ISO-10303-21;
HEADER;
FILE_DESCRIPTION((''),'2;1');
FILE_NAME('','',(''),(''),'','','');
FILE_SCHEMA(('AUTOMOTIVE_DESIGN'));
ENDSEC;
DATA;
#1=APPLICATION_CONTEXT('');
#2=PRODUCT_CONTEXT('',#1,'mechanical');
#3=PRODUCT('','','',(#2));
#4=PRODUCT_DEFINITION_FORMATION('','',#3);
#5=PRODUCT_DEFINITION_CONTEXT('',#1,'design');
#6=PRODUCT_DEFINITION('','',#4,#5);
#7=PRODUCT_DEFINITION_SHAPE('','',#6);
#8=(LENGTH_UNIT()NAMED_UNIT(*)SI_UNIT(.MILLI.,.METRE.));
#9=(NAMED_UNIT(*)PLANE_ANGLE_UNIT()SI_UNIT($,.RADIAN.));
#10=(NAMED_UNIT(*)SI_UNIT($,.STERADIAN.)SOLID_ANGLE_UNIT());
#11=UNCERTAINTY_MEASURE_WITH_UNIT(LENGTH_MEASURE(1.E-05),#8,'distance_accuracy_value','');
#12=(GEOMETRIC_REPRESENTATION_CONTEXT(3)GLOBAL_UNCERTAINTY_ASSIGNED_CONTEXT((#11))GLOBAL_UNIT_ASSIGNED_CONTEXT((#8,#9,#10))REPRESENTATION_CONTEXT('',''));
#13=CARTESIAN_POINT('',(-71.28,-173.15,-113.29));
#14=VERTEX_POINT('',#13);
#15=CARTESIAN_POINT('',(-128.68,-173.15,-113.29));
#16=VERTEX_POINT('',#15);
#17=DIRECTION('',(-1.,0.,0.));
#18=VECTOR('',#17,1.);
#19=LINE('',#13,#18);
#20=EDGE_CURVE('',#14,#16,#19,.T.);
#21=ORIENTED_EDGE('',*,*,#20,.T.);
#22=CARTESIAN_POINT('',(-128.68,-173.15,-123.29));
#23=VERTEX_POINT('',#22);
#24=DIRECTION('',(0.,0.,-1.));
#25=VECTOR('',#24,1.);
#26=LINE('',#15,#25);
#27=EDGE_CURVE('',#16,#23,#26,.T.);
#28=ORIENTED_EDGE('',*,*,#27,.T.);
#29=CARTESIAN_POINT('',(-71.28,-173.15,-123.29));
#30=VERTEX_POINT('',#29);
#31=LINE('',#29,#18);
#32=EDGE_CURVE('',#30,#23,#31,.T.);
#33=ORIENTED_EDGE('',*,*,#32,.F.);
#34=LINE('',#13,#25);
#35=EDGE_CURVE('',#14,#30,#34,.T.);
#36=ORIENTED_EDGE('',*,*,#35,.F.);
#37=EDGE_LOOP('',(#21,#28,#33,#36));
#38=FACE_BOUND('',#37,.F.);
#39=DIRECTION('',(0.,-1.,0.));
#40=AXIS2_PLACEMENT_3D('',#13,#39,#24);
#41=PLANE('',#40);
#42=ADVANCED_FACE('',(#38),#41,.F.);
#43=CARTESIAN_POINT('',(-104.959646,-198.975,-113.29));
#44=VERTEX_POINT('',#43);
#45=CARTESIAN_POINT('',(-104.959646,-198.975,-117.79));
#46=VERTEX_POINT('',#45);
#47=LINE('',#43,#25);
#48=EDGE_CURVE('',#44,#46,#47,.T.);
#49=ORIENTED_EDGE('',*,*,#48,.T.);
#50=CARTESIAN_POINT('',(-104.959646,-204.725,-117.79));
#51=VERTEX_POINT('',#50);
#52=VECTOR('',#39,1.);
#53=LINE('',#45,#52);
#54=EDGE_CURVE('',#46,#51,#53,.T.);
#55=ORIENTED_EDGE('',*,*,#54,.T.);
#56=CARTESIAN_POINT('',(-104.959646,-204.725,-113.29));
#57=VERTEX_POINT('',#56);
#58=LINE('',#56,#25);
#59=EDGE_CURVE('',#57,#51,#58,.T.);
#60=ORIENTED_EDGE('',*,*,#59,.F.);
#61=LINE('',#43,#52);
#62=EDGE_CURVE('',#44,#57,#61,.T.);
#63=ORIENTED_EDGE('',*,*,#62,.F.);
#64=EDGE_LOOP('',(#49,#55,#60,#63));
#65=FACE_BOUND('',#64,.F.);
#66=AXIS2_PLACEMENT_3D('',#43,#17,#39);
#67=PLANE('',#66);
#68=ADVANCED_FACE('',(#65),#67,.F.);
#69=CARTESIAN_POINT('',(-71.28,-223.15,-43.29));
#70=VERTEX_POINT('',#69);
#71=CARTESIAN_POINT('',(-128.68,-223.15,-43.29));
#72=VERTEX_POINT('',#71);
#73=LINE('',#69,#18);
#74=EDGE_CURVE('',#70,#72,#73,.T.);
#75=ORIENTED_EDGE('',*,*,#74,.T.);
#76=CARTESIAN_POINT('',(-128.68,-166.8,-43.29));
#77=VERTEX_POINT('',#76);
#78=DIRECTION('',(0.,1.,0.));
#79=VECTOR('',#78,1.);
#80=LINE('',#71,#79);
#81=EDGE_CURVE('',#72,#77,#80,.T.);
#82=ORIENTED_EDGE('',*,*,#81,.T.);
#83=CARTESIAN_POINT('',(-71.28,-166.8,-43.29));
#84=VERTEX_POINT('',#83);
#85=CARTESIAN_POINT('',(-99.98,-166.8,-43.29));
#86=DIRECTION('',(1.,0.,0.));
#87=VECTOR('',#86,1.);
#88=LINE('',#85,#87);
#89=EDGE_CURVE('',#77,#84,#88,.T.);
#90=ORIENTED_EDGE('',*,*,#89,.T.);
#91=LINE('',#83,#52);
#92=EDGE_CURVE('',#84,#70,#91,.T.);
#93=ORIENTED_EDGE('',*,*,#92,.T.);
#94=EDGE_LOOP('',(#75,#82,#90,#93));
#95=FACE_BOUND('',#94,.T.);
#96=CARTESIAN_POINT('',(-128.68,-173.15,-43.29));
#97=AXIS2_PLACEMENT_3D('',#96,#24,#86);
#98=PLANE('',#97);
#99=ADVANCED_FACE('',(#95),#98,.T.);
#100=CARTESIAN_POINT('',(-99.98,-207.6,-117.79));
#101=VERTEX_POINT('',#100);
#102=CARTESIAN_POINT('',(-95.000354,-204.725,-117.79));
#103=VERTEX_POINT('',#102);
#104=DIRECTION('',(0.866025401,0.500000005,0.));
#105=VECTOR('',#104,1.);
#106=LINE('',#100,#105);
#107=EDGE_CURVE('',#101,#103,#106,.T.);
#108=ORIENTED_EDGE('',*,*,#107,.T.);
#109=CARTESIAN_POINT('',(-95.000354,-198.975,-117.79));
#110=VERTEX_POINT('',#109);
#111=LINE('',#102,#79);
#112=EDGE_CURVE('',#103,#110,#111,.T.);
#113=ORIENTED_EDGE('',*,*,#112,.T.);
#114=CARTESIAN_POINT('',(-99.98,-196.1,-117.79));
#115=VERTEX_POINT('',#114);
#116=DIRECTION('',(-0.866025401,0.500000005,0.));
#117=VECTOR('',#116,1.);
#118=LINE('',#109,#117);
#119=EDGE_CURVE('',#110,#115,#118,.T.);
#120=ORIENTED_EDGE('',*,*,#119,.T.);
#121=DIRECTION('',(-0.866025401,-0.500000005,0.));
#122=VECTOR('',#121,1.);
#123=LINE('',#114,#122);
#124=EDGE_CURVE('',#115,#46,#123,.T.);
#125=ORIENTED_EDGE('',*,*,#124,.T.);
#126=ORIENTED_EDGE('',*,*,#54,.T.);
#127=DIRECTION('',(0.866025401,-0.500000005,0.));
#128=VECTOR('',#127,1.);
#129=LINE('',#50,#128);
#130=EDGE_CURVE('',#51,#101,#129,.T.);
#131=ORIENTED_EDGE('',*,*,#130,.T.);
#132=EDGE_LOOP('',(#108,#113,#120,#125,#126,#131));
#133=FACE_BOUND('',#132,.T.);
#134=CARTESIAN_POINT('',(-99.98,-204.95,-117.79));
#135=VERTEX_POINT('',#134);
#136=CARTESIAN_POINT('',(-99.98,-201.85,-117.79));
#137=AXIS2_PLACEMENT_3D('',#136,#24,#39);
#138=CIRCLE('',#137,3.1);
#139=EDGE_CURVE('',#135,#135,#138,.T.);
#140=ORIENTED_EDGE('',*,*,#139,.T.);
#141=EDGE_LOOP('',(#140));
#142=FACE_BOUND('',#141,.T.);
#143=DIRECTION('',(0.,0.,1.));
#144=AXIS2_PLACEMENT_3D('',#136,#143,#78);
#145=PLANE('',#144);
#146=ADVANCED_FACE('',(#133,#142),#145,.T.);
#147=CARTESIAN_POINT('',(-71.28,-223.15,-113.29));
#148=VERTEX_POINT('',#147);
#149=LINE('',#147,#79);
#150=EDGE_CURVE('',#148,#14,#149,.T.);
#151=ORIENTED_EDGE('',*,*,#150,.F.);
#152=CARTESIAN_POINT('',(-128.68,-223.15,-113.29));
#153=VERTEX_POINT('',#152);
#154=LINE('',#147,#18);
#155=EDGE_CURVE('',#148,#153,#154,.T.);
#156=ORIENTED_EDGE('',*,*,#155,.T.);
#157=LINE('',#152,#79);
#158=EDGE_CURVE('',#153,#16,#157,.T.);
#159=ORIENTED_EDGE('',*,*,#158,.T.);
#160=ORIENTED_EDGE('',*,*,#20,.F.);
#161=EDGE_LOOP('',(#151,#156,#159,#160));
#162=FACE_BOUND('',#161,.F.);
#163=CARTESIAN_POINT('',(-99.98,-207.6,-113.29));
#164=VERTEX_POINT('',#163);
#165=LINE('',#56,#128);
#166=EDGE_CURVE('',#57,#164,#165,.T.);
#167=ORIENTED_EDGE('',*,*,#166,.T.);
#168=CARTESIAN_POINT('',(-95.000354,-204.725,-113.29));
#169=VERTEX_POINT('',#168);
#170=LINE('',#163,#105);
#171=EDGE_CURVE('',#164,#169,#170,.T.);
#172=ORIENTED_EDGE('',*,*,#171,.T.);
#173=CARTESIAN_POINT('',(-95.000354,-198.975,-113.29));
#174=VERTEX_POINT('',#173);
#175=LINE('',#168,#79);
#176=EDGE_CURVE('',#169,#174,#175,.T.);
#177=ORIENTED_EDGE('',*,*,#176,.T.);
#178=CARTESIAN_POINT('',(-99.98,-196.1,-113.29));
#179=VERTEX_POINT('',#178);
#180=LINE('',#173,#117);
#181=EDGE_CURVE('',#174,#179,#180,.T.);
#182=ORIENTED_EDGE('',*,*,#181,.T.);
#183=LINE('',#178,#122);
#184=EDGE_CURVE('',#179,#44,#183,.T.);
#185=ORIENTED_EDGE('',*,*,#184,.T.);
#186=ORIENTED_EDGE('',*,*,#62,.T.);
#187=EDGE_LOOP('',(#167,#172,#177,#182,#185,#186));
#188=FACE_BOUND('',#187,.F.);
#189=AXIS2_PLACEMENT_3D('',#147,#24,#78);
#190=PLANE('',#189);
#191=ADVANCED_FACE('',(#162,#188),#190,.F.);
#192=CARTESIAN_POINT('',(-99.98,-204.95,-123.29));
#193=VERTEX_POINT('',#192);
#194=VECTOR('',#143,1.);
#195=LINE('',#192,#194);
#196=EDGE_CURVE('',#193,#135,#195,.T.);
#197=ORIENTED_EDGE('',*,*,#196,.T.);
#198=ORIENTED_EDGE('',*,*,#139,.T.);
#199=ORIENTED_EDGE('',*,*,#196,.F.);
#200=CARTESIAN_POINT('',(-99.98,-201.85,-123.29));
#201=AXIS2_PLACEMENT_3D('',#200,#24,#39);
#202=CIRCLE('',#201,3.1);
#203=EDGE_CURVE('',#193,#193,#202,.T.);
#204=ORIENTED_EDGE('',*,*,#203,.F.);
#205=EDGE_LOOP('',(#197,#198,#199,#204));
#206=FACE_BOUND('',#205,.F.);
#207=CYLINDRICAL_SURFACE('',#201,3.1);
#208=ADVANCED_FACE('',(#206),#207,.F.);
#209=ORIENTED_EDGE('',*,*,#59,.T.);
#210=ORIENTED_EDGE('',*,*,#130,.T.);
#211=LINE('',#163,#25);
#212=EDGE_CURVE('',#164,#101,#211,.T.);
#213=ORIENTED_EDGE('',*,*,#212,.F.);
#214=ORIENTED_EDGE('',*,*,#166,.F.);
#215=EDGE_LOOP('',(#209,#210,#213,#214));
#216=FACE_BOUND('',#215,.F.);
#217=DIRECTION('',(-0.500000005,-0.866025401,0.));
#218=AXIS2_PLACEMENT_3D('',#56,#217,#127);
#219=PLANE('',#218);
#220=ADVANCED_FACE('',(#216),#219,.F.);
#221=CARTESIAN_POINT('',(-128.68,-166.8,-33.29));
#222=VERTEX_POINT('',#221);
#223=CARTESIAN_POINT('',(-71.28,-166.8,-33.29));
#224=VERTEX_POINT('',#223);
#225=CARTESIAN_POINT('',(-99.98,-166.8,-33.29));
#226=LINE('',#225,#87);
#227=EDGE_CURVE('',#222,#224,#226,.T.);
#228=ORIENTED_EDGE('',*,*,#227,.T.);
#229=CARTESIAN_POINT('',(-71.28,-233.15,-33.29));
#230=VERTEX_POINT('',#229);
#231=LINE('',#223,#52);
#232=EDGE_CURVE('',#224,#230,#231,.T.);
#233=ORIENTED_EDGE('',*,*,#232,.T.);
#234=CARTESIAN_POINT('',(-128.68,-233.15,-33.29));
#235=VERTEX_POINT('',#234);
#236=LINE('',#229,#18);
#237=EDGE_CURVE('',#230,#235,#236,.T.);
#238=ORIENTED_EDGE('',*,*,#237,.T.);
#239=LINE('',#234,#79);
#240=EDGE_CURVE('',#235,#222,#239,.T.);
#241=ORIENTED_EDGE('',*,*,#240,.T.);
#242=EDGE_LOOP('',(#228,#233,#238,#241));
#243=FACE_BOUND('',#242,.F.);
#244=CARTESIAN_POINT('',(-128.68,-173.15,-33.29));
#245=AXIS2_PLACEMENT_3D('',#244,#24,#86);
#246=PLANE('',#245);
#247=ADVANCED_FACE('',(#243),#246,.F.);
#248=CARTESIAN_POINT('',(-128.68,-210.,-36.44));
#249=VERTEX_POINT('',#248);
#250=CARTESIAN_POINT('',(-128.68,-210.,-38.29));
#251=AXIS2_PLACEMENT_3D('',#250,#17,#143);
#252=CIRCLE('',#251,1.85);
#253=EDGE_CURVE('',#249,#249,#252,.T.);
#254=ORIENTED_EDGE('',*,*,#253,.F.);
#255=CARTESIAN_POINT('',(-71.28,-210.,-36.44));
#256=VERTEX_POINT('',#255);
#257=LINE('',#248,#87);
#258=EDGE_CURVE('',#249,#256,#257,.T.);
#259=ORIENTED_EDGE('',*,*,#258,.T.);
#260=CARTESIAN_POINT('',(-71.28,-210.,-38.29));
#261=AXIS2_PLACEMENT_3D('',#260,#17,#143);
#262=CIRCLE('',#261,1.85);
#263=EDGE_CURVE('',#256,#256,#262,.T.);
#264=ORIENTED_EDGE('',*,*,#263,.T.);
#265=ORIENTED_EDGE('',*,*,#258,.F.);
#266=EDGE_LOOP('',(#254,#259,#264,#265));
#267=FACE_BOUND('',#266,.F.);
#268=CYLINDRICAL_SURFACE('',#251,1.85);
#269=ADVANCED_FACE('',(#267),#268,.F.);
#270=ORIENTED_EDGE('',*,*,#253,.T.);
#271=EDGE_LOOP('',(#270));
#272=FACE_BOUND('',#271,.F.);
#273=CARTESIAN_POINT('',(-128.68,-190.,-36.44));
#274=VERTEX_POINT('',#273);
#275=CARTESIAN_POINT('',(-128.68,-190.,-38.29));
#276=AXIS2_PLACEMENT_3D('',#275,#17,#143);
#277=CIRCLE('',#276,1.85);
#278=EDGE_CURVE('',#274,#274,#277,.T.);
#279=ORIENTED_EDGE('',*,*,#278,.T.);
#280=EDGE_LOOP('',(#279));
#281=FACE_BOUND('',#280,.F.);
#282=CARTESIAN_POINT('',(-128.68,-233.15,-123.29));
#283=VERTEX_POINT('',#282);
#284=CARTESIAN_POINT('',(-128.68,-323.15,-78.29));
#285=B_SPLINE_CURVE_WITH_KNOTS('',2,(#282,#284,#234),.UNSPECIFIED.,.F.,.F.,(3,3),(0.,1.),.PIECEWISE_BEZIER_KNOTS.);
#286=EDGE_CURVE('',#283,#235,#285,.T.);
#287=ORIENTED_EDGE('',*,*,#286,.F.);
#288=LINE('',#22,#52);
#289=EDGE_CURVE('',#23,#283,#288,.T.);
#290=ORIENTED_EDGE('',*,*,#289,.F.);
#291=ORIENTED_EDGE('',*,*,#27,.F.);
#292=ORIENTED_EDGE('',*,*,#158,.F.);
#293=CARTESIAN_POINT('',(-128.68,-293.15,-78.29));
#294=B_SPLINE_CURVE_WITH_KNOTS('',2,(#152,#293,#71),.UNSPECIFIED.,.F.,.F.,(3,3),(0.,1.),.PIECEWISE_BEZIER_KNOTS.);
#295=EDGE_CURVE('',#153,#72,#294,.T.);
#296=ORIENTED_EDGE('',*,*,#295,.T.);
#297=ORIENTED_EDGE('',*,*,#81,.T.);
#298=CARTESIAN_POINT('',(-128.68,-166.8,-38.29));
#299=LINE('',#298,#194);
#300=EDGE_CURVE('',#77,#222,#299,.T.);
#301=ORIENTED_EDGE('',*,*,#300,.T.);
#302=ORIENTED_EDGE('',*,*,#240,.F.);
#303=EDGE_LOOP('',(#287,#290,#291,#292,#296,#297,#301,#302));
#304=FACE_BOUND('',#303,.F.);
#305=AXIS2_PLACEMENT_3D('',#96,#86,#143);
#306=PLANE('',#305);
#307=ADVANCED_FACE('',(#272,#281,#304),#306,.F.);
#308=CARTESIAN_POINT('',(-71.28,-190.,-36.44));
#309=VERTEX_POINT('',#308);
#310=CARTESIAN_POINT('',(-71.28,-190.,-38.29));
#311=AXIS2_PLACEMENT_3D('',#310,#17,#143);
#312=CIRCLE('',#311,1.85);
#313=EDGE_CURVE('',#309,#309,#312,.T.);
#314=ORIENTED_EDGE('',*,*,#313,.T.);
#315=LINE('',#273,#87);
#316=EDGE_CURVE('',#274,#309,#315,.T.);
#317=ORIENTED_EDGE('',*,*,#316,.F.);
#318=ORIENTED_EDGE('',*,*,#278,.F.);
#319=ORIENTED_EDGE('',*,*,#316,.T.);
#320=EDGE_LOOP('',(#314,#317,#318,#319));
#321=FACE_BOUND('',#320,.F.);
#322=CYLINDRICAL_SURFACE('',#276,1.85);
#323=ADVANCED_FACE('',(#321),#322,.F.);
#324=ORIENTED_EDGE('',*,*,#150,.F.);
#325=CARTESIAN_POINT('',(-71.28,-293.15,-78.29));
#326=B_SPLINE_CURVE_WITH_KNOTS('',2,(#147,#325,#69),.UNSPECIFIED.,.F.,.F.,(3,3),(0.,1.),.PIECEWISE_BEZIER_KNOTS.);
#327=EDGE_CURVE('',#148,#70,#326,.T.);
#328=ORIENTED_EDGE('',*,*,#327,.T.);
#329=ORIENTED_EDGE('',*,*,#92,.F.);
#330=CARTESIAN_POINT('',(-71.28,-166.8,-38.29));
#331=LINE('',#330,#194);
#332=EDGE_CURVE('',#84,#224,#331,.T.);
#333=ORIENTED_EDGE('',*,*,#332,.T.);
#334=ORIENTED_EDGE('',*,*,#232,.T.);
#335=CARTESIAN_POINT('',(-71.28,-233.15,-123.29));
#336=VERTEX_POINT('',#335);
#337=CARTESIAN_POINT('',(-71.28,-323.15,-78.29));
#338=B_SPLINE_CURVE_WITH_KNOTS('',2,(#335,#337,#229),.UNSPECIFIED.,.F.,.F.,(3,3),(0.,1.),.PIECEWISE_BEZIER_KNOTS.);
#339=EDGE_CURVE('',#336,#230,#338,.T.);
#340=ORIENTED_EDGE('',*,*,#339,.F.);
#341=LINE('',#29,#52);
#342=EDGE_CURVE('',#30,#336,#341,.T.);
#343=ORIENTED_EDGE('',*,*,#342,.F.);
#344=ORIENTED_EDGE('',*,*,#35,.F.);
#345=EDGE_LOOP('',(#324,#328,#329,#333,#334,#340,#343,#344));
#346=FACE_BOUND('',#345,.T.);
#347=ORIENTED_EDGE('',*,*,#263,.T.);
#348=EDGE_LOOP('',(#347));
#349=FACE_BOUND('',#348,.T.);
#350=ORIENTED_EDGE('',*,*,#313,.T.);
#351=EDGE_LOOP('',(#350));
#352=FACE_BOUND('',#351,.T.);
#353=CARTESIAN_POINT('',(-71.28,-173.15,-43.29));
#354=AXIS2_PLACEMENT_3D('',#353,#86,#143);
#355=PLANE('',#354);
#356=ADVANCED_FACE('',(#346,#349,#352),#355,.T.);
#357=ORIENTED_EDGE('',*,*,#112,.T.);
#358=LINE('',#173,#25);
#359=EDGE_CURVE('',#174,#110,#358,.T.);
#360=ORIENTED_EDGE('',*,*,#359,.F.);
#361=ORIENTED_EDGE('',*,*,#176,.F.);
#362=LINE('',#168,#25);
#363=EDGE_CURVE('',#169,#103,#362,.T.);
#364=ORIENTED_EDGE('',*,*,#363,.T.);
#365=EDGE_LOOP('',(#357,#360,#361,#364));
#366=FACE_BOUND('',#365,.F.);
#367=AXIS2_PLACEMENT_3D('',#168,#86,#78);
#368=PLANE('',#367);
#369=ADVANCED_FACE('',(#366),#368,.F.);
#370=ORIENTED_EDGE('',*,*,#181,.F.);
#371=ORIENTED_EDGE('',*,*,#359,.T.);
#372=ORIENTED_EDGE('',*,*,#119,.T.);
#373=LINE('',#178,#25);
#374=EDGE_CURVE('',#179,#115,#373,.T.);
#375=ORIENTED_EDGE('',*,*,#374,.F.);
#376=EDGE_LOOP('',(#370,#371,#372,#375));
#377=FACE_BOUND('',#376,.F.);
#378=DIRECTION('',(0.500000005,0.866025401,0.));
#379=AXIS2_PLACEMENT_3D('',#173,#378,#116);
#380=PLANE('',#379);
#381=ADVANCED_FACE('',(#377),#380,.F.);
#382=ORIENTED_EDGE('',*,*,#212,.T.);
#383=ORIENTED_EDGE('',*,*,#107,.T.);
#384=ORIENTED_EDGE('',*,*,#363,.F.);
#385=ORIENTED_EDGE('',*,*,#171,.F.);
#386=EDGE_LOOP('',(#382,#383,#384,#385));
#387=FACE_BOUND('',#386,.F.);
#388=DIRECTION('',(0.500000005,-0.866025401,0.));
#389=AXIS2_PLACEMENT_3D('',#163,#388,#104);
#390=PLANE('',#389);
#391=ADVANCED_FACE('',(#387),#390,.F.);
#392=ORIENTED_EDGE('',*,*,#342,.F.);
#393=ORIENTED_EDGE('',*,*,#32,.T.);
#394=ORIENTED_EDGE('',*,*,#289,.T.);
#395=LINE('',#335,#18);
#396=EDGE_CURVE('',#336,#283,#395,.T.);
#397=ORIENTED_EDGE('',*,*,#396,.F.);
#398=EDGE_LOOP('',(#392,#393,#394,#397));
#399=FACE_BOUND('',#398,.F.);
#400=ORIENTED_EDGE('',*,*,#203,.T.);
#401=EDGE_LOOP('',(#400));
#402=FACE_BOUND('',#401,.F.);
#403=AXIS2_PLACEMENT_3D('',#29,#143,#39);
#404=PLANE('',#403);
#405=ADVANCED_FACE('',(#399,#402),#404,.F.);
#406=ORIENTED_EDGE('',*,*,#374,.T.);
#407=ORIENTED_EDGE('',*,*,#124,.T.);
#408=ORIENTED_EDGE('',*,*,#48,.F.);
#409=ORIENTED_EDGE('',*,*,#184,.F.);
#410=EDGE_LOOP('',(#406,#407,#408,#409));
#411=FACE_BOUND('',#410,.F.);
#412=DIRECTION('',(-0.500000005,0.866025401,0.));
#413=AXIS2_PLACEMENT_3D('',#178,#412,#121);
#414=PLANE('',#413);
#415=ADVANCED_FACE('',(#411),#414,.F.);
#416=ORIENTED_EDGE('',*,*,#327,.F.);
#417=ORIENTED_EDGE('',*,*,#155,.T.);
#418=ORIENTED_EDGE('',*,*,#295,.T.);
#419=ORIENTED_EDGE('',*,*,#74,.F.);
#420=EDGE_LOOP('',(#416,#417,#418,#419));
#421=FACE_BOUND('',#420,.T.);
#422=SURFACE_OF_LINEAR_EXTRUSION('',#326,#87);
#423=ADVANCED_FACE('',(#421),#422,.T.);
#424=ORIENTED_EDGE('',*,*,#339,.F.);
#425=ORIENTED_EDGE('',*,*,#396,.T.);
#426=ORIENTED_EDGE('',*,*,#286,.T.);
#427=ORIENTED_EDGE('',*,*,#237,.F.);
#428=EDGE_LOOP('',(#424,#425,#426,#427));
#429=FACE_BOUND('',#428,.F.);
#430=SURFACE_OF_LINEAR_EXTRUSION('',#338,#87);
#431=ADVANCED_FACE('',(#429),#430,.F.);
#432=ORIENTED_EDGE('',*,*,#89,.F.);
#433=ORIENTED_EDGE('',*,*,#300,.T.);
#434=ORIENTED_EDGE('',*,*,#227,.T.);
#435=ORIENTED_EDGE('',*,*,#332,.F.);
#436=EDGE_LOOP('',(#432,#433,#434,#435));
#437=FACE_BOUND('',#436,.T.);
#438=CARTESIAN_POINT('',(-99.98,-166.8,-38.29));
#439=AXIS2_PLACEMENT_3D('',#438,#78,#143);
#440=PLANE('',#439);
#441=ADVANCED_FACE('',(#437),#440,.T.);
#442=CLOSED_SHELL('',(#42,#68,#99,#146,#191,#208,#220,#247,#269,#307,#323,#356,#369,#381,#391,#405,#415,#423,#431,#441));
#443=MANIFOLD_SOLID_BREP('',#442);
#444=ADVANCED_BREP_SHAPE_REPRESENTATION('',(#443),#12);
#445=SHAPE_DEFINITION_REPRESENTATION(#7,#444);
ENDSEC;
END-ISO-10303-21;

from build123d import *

# Parameters (mm, degrees)
PAD066_DEPTH            = 57.4
POCKET083_DEPTH         = 4.5
SKETCH144_R             = 3.1
POCKET097_DEPTH         = 10
POCKET097_FACE16_W      = 10
POCKET097_FACE16_H      = 57.4
PAD073_DEPTH            = 6.35
SKETCH147_R             = 1.85
POCKET099_DEPTH         = 57.401
BODY017_PLACEMENT_ANGLE = 270


with BuildPart() as part:
    # Sketch126 → Pad066 (new body)
    with BuildSketch(Plane.XY):
        with BuildLine():
            Line((10, 10), (10, 60))
            Line((10, 60), (0, 60))
            Line((0, 60), (0, 0))
            add(Edge.make_bspline(
                [(0, 0), (45, -90), (90, 0)],
                knots=[0, 0, 0, 1, 1, 1], degree=2))
            Line((90, 0), (90, 60))
            Line((90, 60), (80, 60))
            Line((80, 60), (80, 10))
            add(Edge.make_bspline(
                [(10, 10), (45, -60), (80, 10)],
                knots=[0, 0, 0, 1, 1, 1], degree=2))
        make_face()
    extrude(amount=PAD066_DEPTH)

    # Sketch127 (on Face1 of Pad066) → Pocket083 (cut)
    with BuildSketch(Plane.YZ.offset(10)):
        Polygon((28.425, 33.679646), (25.55, 28.7), (28.425, 23.720354), (34.175, 23.720354), (37.05, 28.7), (34.175, 33.679646), align=None)
    extrude(amount=-POCKET083_DEPTH, mode=Mode.SUBTRACT)

    # Sketch144 (on Face13 of Pocket083) → Pocket097 (cut)
    with BuildSketch(Plane(origin=(0, 0, 0), x_dir=(0, -1, 0), z_dir=(-1, 0, 0))):
        with Locations((-31.3, 28.7)):
            Circle(SKETCH144_R)
    extrude(amount=-POCKET097_DEPTH, mode=Mode.SUBTRACT)

    # Pocket097 Face16 → Pad073 (add)
    with BuildSketch(Plane(origin=(85, 60, 28.7), x_dir=(1, 0, 0), z_dir=(0, 1, 0))):
        Rectangle(POCKET097_FACE16_W, POCKET097_FACE16_H)
    extrude(amount=PAD073_DEPTH)

    # Sketch147 (on Face16 of Pad073) → Pocket099 (cut, through all)
    with BuildSketch(Plane.XY.offset(57.4)):
        with Locations((85, 43.15)):
            Circle(SKETCH147_R)
        with Locations((85, 23.15)):
            Circle(SKETCH147_R)
    extrude(amount=-POCKET099_DEPTH, mode=Mode.SUBTRACT)


with BuildPart() as part_1:
    # Body017 placement: moved
    add(part.part.moved(Location((-71.28, -233.15, -123.29))).rotate(Axis((-71.28, -233.15, -123.29), (0, 1, 0)), BODY017_PLACEMENT_ANGLE))


solid = part_1.part
